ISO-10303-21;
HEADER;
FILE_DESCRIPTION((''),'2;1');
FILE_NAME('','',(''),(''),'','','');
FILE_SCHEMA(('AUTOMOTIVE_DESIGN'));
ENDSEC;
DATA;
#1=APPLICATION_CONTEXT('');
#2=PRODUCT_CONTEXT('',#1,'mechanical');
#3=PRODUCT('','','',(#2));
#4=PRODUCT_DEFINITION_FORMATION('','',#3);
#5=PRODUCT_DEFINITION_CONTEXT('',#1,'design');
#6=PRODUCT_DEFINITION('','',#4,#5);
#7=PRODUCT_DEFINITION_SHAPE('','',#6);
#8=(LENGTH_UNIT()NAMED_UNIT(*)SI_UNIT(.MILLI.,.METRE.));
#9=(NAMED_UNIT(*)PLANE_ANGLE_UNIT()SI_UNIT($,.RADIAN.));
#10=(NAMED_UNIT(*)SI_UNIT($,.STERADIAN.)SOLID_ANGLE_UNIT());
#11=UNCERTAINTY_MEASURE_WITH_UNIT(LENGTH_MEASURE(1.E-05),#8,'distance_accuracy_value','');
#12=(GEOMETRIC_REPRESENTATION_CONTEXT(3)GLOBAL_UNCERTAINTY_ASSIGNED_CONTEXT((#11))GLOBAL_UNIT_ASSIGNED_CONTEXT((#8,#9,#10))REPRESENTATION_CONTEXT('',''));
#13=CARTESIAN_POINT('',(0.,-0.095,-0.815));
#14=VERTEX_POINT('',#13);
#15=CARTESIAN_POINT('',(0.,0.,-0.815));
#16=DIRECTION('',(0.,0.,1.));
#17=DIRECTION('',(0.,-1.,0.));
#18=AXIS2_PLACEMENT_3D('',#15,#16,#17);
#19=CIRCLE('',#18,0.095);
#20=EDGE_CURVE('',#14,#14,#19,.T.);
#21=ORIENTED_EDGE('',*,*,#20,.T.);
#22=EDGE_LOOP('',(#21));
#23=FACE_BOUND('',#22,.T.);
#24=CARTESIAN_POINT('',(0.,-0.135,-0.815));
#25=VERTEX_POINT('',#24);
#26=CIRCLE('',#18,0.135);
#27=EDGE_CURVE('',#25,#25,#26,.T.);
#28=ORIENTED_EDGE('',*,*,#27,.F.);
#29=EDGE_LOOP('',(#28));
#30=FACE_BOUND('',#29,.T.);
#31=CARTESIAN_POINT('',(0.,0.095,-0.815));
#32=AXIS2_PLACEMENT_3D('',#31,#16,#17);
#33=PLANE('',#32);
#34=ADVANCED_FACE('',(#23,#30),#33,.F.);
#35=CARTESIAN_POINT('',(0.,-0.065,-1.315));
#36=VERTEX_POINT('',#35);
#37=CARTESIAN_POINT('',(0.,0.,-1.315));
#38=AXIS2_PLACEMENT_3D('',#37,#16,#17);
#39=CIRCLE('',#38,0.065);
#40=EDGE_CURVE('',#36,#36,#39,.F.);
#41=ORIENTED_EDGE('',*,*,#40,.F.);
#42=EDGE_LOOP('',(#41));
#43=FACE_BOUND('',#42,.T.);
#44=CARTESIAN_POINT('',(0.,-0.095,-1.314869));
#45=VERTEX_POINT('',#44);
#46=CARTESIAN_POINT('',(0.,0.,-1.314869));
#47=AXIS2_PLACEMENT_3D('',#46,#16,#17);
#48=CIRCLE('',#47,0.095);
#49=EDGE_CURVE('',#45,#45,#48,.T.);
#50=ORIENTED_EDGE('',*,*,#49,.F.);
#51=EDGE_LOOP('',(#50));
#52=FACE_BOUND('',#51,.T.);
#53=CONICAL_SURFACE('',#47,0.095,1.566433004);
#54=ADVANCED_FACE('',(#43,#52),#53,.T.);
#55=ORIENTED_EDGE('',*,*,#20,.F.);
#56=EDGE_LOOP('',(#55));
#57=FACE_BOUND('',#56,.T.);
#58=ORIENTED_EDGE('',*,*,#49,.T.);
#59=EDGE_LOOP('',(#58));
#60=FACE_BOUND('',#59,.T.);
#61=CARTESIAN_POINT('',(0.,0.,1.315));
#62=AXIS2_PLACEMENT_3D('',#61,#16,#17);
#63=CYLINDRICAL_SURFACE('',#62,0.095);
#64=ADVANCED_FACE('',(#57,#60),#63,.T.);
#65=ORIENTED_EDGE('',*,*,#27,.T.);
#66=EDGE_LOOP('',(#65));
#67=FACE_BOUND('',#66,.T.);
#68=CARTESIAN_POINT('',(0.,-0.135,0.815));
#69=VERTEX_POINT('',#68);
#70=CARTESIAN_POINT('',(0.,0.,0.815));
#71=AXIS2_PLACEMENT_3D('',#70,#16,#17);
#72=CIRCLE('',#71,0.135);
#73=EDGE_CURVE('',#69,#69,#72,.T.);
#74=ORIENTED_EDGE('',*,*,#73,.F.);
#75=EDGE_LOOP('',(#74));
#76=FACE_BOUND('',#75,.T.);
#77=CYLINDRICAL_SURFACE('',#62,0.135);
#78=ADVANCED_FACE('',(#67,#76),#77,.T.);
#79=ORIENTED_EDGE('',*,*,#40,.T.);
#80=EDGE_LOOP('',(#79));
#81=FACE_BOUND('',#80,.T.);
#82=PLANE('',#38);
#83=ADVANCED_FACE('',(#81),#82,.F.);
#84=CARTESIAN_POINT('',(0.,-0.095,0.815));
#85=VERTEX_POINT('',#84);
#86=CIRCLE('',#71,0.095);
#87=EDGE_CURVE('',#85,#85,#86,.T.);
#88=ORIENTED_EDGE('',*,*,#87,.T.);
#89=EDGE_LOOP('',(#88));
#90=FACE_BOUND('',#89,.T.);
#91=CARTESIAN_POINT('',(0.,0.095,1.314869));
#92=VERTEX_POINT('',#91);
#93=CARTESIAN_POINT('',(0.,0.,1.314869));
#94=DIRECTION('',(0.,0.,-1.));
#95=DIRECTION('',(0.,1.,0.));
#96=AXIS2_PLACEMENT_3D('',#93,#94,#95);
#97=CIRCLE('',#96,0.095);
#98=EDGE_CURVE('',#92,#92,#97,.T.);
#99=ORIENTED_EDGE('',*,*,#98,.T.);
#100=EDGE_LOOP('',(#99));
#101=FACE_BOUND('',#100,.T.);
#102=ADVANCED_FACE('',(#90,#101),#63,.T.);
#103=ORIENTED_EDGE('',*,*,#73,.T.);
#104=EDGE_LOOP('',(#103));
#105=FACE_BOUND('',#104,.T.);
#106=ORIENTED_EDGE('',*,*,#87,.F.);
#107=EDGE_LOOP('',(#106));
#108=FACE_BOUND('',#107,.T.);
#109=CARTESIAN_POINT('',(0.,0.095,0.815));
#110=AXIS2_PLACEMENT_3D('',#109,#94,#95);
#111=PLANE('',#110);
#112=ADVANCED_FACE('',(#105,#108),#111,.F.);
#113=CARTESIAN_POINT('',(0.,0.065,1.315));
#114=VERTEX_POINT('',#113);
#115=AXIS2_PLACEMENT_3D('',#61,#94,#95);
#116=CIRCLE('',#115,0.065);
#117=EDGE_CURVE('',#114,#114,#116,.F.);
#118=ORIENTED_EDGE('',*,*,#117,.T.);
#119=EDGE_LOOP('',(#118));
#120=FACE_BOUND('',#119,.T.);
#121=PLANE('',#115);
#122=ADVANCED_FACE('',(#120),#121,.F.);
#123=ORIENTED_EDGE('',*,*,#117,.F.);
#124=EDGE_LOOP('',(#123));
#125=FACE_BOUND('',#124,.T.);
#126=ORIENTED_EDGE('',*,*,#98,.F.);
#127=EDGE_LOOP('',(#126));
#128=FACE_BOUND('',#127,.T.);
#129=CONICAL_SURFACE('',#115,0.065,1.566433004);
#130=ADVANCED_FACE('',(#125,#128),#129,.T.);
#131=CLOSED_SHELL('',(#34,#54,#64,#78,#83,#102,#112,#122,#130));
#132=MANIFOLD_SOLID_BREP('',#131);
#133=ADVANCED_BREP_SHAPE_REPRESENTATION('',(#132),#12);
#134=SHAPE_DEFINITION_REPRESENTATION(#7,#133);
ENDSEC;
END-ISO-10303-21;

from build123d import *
from OCP.BRepFilletAPI import BRepFilletAPI_MakeChamfer

# Parameters (mm, degrees)
CHAMFER1_SIZE  = 0.03
CHAMFER1_SIZE2 = 0.000130901


with BuildPart() as part:
    # Sketch2 → Revolve1 (revolve)
    with BuildSketch(Plane(origin=(0, 0, 0), x_dir=(0, 0, -1), z_dir=(1, 0, 0)), mode=Mode.PRIVATE) as revolve1_sk:
        Polygon((-1.315, 0), (-1.315, 0.095), (-0.815, 0.095), (-0.815, 0.135), (0.815, 0.135), (0.815, 0.095), (1.315, 0.095), (1.315, 0), align=None)
    revolve(revolve1_sk.sketch.rotate(Axis((0, 0, 1.315), (0, 0, -1)), 180), axis=Axis((0, 0, 1.315), (0, 0, -1)))

    # Chamfer1: one chamfer whose edges measure the first distance from different faces: ONE call of the kernel's chamfer builder (chamfer() names one face for all edges)
    chamfer1_edges_1 = [part.edges().sort_by_distance(p)[0] for p in [
        (0, 0.095, 1.315),
    ]]
    chamfer1_side_1 = [part.faces().sort_by_distance(p)[0] for p in [
        (0, 0, 1.315),
    ]]
    chamfer1_edges_2 = [part.edges().sort_by_distance(p)[0] for p in [
        (0, 0.095, -1.315),
    ]]
    chamfer1_side_2 = [part.faces().sort_by_distance(p)[0] for p in [
        (0, 0, -1.315),
    ]]
    chamfer1 = BRepFilletAPI_MakeChamfer(part.part.solid().wrapped)
    for e in chamfer1_edges_1:
        chamfer1.Add(CHAMFER1_SIZE, CHAMFER1_SIZE2, e.wrapped, chamfer1_side_1[0].wrapped)  # the first distance lies on this face
    for e in chamfer1_edges_2:
        chamfer1.Add(CHAMFER1_SIZE, CHAMFER1_SIZE2, e.wrapped, chamfer1_side_2[0].wrapped)  # the first distance lies on this face
    add(Compound.cast(chamfer1.Shape()), mode=Mode.REPLACE)


solid = part.part
